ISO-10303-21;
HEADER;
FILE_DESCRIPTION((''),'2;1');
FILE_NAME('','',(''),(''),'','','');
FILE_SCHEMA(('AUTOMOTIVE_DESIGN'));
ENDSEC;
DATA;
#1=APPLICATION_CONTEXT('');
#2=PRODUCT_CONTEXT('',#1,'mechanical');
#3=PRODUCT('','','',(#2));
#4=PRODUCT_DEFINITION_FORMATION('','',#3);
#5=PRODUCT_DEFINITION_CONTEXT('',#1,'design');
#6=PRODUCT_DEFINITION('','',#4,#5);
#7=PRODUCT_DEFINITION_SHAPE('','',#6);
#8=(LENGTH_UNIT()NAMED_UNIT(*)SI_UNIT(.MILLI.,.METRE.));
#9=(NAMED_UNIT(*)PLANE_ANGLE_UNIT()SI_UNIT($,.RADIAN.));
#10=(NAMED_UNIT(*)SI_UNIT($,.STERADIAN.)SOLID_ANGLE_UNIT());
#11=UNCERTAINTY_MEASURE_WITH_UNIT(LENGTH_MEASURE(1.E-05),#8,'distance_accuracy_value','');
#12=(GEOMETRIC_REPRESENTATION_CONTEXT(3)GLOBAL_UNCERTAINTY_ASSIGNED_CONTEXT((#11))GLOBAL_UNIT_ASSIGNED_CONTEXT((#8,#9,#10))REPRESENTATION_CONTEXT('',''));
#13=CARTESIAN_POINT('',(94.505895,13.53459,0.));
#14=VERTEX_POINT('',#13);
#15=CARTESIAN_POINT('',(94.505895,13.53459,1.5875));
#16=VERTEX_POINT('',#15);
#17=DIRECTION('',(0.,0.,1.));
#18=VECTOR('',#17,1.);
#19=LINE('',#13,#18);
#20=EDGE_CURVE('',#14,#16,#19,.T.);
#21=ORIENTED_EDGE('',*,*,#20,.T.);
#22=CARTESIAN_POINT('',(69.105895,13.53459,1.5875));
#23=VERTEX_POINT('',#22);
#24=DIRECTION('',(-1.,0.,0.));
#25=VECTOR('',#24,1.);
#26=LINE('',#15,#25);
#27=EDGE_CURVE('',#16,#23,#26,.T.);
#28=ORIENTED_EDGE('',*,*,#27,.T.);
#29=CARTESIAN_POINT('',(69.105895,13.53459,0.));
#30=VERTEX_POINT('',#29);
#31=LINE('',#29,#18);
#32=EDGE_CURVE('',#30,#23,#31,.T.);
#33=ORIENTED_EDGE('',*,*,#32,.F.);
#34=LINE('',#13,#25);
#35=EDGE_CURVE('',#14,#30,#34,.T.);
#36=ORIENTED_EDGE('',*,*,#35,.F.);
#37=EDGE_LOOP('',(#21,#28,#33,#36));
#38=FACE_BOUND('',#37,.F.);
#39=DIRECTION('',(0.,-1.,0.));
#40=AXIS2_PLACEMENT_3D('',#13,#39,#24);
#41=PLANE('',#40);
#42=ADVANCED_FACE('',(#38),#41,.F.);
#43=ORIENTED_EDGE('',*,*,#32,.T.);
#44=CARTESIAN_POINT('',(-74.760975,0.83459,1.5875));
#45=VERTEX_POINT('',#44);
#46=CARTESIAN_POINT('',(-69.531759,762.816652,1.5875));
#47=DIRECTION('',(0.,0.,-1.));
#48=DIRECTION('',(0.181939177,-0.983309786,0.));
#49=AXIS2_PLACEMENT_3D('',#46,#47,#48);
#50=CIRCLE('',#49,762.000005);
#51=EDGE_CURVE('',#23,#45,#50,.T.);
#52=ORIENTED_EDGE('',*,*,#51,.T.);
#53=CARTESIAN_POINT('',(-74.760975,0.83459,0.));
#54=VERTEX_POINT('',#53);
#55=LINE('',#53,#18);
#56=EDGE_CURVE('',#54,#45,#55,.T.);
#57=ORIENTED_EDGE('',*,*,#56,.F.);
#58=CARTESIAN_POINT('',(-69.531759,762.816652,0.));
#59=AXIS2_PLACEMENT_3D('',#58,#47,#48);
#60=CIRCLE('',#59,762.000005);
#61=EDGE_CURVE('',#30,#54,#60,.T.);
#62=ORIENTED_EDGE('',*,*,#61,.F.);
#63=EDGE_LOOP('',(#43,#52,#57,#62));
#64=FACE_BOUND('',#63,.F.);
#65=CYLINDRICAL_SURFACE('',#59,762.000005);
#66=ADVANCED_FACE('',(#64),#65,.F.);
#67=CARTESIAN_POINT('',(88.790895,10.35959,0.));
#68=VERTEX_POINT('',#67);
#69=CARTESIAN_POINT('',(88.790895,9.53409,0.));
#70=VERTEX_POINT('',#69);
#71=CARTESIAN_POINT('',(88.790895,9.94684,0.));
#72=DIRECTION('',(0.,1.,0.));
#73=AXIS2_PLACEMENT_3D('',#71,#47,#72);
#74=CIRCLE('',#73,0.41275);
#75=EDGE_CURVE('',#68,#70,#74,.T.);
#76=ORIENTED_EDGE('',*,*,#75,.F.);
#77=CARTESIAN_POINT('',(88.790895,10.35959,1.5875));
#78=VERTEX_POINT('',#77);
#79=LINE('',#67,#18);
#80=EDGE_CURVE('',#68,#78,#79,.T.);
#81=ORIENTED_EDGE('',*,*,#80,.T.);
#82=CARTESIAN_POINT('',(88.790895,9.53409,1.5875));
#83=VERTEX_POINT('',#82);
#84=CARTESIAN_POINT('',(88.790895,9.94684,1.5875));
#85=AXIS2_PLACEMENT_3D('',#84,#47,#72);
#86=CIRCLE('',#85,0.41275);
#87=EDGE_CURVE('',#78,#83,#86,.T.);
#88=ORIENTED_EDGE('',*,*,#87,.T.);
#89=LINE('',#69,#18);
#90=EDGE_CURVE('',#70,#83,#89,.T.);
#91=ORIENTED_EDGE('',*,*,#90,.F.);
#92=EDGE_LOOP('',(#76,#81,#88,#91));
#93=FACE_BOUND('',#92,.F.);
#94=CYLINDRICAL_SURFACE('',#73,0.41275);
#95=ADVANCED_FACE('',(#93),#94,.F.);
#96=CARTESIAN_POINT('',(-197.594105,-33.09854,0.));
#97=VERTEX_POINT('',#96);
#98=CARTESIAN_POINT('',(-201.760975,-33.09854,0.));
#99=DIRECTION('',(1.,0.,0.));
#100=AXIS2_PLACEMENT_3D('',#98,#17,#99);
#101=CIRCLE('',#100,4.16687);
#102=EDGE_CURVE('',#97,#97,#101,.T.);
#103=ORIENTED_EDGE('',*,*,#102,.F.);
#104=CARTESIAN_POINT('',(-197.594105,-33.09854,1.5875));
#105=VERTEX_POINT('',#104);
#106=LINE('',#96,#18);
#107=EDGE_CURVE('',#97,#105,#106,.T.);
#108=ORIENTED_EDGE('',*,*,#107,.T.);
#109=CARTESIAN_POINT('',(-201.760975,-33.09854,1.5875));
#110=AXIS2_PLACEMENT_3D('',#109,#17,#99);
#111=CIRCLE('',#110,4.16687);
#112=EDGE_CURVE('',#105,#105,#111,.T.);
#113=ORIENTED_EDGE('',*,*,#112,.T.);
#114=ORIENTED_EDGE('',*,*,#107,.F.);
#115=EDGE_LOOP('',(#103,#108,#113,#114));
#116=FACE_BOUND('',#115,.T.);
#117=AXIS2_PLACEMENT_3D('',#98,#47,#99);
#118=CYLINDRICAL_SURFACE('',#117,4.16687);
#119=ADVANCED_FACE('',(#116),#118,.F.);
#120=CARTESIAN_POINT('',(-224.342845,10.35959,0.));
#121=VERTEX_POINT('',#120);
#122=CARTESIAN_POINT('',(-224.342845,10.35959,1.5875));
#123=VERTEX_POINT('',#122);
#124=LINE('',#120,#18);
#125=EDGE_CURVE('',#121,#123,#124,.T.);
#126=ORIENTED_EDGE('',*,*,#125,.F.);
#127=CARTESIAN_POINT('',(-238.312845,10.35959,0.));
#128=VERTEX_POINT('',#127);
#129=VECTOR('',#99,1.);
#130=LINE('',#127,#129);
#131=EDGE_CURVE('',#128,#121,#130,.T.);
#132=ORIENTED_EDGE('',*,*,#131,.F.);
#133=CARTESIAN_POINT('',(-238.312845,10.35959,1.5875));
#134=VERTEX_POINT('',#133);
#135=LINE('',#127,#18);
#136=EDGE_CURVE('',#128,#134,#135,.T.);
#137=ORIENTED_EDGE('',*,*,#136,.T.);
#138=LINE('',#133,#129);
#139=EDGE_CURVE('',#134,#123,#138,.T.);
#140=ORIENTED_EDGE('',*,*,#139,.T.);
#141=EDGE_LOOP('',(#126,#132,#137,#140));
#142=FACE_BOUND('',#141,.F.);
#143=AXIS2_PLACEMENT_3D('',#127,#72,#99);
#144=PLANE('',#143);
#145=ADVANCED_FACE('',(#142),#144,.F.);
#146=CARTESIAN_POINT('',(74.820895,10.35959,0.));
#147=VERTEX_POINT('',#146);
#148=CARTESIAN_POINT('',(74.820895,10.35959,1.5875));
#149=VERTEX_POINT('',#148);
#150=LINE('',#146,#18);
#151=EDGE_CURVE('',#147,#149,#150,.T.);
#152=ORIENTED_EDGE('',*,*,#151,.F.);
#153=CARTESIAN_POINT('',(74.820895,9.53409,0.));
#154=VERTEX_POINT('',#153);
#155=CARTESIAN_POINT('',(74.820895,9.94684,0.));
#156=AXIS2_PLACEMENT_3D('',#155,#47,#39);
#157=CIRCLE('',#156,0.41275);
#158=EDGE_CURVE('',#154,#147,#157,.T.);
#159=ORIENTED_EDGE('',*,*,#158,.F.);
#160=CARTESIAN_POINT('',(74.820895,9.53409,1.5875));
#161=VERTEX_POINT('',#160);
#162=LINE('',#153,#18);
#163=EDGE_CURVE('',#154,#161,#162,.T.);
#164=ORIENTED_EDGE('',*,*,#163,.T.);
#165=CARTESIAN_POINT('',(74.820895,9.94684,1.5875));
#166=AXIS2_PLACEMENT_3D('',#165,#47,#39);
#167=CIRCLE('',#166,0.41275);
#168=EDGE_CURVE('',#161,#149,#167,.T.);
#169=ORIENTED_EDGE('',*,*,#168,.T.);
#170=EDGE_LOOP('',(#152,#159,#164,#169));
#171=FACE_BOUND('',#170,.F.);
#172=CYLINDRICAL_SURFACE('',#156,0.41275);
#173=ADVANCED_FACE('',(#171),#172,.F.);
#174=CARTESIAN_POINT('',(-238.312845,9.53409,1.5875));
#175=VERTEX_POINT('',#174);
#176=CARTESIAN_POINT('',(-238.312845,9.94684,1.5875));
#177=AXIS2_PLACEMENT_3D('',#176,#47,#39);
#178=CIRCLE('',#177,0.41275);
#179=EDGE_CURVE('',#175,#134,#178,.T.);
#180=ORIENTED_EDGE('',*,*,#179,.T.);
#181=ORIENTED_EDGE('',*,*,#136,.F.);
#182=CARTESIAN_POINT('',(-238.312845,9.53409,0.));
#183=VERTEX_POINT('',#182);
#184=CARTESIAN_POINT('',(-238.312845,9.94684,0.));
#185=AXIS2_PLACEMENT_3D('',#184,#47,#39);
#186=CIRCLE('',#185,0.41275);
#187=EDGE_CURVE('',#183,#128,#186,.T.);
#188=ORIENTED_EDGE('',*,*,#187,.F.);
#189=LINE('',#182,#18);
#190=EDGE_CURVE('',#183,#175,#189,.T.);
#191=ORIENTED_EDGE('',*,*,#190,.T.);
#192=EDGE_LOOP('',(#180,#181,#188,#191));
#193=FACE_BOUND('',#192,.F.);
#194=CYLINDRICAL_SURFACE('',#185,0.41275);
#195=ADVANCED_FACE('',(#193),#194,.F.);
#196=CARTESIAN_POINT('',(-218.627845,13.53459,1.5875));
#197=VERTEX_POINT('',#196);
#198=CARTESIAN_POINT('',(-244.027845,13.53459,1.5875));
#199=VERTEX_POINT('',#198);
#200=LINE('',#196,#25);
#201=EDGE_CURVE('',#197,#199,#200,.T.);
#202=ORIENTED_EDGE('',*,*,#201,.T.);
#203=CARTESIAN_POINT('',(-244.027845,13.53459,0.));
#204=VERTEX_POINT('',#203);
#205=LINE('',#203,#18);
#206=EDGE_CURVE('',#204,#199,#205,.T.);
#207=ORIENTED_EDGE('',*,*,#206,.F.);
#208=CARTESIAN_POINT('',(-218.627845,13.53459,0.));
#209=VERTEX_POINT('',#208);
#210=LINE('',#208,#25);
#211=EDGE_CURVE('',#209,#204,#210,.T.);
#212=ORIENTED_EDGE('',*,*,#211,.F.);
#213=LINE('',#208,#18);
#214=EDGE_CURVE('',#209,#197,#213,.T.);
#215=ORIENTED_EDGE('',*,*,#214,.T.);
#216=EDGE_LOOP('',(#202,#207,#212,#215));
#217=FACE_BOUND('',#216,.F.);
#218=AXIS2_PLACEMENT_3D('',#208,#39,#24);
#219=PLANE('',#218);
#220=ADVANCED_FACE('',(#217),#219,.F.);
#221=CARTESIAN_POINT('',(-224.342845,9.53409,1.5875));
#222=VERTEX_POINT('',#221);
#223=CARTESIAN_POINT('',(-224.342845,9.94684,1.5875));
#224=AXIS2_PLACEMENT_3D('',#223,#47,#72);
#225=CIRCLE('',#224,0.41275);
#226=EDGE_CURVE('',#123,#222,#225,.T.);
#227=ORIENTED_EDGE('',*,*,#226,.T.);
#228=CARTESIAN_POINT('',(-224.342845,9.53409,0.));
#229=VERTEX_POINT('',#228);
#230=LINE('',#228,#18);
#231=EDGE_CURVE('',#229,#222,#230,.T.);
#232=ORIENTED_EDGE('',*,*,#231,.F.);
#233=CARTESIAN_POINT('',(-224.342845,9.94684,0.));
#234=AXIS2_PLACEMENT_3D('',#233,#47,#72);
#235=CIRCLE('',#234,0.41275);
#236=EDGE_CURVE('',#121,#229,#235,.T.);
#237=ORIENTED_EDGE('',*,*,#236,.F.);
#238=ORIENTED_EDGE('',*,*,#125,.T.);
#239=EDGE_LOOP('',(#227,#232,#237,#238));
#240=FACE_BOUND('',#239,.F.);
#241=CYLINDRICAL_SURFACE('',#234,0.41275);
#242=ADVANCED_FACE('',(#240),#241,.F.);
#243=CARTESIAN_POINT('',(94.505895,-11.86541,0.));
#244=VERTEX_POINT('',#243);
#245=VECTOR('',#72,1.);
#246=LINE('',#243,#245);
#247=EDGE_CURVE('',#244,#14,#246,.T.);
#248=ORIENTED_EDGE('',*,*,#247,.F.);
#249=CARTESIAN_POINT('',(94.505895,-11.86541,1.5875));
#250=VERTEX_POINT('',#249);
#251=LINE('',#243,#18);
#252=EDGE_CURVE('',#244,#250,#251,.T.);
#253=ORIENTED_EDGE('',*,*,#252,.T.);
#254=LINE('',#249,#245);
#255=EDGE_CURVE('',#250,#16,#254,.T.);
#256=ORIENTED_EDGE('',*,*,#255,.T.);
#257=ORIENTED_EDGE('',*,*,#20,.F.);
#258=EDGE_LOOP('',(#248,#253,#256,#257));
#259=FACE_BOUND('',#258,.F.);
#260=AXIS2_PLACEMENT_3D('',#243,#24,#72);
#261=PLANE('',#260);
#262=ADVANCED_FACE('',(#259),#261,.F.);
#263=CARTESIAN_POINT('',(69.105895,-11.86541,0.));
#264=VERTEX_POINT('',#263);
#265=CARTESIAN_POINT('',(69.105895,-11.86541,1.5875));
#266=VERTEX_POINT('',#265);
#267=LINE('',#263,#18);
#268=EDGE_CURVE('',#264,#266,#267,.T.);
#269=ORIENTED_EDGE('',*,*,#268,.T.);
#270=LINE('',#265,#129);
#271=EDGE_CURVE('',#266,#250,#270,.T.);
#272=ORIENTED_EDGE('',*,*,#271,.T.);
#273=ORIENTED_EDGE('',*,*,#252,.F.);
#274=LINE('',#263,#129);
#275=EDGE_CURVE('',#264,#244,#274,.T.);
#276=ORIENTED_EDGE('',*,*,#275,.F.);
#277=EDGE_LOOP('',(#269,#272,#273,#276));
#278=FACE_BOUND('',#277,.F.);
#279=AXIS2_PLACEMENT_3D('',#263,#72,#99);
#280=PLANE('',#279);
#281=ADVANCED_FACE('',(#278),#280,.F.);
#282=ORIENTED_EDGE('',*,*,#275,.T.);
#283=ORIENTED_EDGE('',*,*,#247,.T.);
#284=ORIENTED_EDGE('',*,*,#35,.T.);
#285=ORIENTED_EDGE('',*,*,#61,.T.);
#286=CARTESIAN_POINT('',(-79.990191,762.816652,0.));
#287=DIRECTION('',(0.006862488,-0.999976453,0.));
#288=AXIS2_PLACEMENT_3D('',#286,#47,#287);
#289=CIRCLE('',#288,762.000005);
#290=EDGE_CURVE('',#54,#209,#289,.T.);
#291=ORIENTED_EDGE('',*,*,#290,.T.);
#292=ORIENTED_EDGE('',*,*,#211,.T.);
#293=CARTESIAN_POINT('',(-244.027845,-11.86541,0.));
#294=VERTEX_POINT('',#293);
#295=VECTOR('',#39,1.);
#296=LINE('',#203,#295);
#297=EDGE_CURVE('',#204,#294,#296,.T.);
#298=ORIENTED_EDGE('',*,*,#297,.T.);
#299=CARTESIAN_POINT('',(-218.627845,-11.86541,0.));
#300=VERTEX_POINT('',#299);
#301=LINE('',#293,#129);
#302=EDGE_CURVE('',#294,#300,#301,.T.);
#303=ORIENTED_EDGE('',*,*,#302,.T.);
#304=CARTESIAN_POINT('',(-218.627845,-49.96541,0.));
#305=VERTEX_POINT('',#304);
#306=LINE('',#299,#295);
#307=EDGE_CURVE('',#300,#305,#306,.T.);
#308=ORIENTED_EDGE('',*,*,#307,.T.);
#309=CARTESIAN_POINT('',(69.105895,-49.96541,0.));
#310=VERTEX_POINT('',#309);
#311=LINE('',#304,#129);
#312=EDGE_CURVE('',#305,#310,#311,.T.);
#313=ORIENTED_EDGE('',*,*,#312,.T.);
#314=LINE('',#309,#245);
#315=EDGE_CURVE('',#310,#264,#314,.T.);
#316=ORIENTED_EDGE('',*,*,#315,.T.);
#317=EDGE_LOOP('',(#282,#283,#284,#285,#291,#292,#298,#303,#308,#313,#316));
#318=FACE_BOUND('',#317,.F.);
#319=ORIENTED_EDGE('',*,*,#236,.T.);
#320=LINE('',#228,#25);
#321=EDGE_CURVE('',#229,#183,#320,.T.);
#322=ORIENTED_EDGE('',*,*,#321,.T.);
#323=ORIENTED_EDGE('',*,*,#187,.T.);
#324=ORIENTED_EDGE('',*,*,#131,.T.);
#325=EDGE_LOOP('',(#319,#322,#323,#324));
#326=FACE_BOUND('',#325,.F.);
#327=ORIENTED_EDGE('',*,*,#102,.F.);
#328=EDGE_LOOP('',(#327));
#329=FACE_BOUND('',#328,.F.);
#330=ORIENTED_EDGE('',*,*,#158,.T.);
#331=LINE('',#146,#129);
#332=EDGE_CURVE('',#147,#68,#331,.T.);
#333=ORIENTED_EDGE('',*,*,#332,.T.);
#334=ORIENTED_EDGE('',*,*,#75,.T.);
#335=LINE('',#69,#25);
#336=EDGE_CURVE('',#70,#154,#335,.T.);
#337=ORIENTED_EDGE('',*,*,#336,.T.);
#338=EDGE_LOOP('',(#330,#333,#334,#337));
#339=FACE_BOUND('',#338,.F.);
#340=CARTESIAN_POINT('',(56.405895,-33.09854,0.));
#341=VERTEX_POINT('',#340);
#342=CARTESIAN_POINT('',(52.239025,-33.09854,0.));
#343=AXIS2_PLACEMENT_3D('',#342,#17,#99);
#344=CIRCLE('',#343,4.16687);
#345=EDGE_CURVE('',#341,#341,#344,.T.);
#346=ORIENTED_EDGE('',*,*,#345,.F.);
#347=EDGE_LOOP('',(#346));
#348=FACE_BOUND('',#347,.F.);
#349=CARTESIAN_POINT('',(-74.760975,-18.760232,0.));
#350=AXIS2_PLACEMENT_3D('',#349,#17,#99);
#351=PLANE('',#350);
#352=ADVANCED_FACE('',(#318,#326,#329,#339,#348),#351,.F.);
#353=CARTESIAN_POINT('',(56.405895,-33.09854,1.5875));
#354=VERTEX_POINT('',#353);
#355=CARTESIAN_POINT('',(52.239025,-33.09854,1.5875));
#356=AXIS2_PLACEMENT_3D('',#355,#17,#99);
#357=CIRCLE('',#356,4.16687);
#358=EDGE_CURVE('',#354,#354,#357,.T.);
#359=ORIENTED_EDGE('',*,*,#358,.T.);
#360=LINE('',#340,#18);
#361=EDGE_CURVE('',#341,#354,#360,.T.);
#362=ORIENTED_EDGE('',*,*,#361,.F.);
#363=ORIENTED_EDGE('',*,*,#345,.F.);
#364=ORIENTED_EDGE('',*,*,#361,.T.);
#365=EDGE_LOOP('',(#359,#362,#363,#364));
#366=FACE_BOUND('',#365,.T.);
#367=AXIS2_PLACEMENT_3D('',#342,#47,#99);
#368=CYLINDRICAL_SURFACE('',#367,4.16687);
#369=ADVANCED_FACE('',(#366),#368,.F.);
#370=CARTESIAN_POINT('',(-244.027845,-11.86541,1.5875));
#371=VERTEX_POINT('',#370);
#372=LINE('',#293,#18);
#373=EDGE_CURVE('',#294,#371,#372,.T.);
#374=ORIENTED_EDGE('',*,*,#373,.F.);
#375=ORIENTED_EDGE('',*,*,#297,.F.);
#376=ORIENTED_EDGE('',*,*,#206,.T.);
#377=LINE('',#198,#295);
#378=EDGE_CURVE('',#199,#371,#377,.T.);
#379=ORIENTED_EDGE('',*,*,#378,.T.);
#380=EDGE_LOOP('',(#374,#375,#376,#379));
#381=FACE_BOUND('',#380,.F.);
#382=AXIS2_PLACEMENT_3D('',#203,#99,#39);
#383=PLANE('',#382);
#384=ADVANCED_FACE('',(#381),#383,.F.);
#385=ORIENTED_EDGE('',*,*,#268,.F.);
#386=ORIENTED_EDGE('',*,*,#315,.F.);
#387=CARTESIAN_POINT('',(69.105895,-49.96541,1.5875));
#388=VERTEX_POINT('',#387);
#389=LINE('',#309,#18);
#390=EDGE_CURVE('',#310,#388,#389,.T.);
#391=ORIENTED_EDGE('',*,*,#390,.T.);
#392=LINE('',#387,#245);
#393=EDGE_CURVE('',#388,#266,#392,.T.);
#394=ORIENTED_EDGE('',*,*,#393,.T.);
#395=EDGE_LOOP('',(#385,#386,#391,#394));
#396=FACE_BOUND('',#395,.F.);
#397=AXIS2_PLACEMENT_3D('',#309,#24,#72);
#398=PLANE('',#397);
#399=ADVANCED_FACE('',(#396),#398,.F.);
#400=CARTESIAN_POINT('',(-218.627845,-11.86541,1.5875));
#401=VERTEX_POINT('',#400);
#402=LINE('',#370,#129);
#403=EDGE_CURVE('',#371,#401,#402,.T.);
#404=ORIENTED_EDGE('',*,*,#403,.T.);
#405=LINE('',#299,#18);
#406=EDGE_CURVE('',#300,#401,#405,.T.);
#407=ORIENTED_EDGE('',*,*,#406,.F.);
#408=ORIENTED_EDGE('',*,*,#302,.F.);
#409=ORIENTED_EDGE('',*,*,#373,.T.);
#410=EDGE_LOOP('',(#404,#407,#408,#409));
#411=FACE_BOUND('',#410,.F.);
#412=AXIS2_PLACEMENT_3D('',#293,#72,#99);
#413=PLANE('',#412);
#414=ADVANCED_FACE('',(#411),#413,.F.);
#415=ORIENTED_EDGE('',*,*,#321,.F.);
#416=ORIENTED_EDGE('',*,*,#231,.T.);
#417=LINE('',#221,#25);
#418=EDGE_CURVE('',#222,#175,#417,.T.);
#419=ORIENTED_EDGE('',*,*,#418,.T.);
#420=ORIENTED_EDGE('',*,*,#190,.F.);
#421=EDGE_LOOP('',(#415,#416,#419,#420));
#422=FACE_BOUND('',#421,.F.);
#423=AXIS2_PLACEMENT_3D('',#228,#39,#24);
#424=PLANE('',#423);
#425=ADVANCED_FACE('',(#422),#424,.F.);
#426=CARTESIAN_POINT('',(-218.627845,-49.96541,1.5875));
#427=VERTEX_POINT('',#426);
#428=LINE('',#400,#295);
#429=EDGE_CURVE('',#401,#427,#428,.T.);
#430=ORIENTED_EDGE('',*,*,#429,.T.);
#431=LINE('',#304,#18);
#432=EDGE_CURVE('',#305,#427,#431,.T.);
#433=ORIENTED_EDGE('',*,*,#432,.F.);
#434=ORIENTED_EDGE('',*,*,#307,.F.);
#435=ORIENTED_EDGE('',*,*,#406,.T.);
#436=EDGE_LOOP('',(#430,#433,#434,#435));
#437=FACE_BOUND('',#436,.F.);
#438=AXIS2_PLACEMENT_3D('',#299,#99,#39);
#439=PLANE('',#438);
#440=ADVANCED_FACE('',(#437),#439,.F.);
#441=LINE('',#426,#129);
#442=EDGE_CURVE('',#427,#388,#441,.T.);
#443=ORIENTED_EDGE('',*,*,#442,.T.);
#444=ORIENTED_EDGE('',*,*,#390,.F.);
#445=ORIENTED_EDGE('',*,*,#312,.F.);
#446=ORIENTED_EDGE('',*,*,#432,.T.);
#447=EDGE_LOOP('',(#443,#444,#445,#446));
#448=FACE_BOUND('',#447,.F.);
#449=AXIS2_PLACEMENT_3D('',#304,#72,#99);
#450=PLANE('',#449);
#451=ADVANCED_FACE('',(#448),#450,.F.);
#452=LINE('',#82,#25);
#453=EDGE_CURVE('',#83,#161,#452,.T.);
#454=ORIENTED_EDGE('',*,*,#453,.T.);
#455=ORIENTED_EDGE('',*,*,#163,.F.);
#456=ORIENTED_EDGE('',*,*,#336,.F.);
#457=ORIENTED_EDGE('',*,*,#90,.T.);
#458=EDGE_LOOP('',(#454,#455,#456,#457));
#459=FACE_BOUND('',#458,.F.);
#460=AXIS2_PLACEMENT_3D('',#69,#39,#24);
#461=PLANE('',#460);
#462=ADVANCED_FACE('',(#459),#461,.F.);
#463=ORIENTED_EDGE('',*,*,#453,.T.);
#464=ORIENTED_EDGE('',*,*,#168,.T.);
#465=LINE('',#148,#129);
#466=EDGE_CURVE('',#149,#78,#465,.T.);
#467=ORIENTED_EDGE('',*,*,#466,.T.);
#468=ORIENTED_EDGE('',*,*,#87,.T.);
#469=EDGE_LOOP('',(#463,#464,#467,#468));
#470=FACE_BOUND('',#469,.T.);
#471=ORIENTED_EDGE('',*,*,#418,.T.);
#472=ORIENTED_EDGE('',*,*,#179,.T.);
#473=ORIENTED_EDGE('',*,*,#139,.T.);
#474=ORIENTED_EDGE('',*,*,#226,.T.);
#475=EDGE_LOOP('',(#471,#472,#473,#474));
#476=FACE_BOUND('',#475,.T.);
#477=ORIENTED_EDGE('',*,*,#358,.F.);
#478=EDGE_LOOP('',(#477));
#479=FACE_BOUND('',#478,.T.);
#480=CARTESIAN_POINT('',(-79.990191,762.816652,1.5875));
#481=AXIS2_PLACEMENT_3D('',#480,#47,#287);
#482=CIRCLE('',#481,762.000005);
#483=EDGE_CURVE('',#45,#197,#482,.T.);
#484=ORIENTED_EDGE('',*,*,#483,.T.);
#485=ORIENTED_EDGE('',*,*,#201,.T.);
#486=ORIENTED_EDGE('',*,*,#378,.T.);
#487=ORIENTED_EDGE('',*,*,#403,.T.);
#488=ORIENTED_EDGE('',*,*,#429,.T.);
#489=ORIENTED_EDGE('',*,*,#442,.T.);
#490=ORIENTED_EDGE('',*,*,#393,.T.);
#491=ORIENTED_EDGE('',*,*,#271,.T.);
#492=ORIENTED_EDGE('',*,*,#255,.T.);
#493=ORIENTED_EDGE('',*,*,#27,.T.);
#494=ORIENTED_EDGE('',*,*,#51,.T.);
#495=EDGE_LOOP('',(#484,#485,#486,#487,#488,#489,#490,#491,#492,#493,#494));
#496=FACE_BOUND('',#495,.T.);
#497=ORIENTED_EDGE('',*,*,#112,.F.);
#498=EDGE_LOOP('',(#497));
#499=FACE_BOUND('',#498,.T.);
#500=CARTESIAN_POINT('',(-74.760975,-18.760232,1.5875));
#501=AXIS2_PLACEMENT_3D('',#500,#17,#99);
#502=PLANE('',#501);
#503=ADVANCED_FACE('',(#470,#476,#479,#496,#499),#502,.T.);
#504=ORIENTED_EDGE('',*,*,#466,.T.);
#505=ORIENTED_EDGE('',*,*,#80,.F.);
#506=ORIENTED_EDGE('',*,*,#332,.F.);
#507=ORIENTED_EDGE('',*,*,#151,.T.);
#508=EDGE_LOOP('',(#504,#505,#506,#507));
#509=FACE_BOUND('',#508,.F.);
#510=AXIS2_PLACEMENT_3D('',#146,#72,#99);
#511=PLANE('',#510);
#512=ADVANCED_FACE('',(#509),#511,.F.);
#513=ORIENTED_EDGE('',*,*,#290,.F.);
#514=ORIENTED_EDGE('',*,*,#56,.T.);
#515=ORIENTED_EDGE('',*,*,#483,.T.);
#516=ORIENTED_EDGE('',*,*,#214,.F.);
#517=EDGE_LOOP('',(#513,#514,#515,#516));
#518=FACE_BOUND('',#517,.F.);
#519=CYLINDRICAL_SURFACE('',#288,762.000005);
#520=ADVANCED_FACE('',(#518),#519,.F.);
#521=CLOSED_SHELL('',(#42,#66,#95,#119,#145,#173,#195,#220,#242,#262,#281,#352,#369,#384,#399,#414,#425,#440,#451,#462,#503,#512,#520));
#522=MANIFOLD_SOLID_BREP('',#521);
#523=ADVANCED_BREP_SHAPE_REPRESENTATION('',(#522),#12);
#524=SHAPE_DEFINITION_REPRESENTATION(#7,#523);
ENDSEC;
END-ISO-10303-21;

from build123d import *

# Parameters (mm, degrees)
F0_R     = 4.16687
F1_DEPTH = 1.5875


with BuildPart() as f1:
    # F0 (on Top) → F1 (new body)
    with BuildSketch(Plane.XY):
        with BuildLine():
            Line((-218.627845, 13.53459), (-244.027845, 13.53459))
            Line((-244.027845, 13.53459), (-244.027845, -11.86541))
            Line((-244.027845, -11.86541), (-218.627845, -11.86541))
            Line((-218.627845, -11.86541), (-218.627845, -49.96541))
            Line((-218.627845, -49.96541), (-74.760975, -49.96541))
            Line((-74.760975, -49.96541), (69.105895, -49.96541))
            Line((69.105895, -49.96541), (69.105895, -11.86541))
            Line((69.105895, -11.86541), (94.505895, -11.86541))
            Line((94.505895, -11.86541), (94.505895, 13.53459))
            Line((94.505895, 13.53459), (69.105895, 13.53459))
            ThreePointArc((69.105895, 13.53459), (-2.525973, 3.768411), (-74.760975, 0.83459))
            ThreePointArc((-74.760975, 0.83459), (-146.995977, 3.768411), (-218.627845, 13.53459))
        make_face()
        with Locations((-201.760975, -33.09854)):
            Circle(F0_R, mode=Mode.SUBTRACT)
        with Locations((52.239025, -33.09854)):
            Circle(F0_R, mode=Mode.SUBTRACT)
        with BuildLine():
            ThreePointArc((-238.312845, 9.53409), (-238.725595, 9.94684), (-238.312845, 10.35959))
            Line((-238.312845, 10.35959), (-224.342845, 10.35959))
            ThreePointArc((-224.342845, 10.35959), (-223.930095, 9.94684), (-224.342845, 9.53409))
            Line((-224.342845, 9.53409), (-238.312845, 9.53409))
        make_face(mode=Mode.SUBTRACT)
        with BuildLine():
            ThreePointArc((74.820895, 9.53409), (74.408145, 9.94684), (74.820895, 10.35959))
            Line((74.820895, 10.35959), (88.790895, 10.35959))
            ThreePointArc((88.790895, 10.35959), (89.203645, 9.94684), (88.790895, 9.53409))
            Line((88.790895, 9.53409), (74.820895, 9.53409))
        make_face(mode=Mode.SUBTRACT)
    extrude(amount=F1_DEPTH)


solid = f1.part
